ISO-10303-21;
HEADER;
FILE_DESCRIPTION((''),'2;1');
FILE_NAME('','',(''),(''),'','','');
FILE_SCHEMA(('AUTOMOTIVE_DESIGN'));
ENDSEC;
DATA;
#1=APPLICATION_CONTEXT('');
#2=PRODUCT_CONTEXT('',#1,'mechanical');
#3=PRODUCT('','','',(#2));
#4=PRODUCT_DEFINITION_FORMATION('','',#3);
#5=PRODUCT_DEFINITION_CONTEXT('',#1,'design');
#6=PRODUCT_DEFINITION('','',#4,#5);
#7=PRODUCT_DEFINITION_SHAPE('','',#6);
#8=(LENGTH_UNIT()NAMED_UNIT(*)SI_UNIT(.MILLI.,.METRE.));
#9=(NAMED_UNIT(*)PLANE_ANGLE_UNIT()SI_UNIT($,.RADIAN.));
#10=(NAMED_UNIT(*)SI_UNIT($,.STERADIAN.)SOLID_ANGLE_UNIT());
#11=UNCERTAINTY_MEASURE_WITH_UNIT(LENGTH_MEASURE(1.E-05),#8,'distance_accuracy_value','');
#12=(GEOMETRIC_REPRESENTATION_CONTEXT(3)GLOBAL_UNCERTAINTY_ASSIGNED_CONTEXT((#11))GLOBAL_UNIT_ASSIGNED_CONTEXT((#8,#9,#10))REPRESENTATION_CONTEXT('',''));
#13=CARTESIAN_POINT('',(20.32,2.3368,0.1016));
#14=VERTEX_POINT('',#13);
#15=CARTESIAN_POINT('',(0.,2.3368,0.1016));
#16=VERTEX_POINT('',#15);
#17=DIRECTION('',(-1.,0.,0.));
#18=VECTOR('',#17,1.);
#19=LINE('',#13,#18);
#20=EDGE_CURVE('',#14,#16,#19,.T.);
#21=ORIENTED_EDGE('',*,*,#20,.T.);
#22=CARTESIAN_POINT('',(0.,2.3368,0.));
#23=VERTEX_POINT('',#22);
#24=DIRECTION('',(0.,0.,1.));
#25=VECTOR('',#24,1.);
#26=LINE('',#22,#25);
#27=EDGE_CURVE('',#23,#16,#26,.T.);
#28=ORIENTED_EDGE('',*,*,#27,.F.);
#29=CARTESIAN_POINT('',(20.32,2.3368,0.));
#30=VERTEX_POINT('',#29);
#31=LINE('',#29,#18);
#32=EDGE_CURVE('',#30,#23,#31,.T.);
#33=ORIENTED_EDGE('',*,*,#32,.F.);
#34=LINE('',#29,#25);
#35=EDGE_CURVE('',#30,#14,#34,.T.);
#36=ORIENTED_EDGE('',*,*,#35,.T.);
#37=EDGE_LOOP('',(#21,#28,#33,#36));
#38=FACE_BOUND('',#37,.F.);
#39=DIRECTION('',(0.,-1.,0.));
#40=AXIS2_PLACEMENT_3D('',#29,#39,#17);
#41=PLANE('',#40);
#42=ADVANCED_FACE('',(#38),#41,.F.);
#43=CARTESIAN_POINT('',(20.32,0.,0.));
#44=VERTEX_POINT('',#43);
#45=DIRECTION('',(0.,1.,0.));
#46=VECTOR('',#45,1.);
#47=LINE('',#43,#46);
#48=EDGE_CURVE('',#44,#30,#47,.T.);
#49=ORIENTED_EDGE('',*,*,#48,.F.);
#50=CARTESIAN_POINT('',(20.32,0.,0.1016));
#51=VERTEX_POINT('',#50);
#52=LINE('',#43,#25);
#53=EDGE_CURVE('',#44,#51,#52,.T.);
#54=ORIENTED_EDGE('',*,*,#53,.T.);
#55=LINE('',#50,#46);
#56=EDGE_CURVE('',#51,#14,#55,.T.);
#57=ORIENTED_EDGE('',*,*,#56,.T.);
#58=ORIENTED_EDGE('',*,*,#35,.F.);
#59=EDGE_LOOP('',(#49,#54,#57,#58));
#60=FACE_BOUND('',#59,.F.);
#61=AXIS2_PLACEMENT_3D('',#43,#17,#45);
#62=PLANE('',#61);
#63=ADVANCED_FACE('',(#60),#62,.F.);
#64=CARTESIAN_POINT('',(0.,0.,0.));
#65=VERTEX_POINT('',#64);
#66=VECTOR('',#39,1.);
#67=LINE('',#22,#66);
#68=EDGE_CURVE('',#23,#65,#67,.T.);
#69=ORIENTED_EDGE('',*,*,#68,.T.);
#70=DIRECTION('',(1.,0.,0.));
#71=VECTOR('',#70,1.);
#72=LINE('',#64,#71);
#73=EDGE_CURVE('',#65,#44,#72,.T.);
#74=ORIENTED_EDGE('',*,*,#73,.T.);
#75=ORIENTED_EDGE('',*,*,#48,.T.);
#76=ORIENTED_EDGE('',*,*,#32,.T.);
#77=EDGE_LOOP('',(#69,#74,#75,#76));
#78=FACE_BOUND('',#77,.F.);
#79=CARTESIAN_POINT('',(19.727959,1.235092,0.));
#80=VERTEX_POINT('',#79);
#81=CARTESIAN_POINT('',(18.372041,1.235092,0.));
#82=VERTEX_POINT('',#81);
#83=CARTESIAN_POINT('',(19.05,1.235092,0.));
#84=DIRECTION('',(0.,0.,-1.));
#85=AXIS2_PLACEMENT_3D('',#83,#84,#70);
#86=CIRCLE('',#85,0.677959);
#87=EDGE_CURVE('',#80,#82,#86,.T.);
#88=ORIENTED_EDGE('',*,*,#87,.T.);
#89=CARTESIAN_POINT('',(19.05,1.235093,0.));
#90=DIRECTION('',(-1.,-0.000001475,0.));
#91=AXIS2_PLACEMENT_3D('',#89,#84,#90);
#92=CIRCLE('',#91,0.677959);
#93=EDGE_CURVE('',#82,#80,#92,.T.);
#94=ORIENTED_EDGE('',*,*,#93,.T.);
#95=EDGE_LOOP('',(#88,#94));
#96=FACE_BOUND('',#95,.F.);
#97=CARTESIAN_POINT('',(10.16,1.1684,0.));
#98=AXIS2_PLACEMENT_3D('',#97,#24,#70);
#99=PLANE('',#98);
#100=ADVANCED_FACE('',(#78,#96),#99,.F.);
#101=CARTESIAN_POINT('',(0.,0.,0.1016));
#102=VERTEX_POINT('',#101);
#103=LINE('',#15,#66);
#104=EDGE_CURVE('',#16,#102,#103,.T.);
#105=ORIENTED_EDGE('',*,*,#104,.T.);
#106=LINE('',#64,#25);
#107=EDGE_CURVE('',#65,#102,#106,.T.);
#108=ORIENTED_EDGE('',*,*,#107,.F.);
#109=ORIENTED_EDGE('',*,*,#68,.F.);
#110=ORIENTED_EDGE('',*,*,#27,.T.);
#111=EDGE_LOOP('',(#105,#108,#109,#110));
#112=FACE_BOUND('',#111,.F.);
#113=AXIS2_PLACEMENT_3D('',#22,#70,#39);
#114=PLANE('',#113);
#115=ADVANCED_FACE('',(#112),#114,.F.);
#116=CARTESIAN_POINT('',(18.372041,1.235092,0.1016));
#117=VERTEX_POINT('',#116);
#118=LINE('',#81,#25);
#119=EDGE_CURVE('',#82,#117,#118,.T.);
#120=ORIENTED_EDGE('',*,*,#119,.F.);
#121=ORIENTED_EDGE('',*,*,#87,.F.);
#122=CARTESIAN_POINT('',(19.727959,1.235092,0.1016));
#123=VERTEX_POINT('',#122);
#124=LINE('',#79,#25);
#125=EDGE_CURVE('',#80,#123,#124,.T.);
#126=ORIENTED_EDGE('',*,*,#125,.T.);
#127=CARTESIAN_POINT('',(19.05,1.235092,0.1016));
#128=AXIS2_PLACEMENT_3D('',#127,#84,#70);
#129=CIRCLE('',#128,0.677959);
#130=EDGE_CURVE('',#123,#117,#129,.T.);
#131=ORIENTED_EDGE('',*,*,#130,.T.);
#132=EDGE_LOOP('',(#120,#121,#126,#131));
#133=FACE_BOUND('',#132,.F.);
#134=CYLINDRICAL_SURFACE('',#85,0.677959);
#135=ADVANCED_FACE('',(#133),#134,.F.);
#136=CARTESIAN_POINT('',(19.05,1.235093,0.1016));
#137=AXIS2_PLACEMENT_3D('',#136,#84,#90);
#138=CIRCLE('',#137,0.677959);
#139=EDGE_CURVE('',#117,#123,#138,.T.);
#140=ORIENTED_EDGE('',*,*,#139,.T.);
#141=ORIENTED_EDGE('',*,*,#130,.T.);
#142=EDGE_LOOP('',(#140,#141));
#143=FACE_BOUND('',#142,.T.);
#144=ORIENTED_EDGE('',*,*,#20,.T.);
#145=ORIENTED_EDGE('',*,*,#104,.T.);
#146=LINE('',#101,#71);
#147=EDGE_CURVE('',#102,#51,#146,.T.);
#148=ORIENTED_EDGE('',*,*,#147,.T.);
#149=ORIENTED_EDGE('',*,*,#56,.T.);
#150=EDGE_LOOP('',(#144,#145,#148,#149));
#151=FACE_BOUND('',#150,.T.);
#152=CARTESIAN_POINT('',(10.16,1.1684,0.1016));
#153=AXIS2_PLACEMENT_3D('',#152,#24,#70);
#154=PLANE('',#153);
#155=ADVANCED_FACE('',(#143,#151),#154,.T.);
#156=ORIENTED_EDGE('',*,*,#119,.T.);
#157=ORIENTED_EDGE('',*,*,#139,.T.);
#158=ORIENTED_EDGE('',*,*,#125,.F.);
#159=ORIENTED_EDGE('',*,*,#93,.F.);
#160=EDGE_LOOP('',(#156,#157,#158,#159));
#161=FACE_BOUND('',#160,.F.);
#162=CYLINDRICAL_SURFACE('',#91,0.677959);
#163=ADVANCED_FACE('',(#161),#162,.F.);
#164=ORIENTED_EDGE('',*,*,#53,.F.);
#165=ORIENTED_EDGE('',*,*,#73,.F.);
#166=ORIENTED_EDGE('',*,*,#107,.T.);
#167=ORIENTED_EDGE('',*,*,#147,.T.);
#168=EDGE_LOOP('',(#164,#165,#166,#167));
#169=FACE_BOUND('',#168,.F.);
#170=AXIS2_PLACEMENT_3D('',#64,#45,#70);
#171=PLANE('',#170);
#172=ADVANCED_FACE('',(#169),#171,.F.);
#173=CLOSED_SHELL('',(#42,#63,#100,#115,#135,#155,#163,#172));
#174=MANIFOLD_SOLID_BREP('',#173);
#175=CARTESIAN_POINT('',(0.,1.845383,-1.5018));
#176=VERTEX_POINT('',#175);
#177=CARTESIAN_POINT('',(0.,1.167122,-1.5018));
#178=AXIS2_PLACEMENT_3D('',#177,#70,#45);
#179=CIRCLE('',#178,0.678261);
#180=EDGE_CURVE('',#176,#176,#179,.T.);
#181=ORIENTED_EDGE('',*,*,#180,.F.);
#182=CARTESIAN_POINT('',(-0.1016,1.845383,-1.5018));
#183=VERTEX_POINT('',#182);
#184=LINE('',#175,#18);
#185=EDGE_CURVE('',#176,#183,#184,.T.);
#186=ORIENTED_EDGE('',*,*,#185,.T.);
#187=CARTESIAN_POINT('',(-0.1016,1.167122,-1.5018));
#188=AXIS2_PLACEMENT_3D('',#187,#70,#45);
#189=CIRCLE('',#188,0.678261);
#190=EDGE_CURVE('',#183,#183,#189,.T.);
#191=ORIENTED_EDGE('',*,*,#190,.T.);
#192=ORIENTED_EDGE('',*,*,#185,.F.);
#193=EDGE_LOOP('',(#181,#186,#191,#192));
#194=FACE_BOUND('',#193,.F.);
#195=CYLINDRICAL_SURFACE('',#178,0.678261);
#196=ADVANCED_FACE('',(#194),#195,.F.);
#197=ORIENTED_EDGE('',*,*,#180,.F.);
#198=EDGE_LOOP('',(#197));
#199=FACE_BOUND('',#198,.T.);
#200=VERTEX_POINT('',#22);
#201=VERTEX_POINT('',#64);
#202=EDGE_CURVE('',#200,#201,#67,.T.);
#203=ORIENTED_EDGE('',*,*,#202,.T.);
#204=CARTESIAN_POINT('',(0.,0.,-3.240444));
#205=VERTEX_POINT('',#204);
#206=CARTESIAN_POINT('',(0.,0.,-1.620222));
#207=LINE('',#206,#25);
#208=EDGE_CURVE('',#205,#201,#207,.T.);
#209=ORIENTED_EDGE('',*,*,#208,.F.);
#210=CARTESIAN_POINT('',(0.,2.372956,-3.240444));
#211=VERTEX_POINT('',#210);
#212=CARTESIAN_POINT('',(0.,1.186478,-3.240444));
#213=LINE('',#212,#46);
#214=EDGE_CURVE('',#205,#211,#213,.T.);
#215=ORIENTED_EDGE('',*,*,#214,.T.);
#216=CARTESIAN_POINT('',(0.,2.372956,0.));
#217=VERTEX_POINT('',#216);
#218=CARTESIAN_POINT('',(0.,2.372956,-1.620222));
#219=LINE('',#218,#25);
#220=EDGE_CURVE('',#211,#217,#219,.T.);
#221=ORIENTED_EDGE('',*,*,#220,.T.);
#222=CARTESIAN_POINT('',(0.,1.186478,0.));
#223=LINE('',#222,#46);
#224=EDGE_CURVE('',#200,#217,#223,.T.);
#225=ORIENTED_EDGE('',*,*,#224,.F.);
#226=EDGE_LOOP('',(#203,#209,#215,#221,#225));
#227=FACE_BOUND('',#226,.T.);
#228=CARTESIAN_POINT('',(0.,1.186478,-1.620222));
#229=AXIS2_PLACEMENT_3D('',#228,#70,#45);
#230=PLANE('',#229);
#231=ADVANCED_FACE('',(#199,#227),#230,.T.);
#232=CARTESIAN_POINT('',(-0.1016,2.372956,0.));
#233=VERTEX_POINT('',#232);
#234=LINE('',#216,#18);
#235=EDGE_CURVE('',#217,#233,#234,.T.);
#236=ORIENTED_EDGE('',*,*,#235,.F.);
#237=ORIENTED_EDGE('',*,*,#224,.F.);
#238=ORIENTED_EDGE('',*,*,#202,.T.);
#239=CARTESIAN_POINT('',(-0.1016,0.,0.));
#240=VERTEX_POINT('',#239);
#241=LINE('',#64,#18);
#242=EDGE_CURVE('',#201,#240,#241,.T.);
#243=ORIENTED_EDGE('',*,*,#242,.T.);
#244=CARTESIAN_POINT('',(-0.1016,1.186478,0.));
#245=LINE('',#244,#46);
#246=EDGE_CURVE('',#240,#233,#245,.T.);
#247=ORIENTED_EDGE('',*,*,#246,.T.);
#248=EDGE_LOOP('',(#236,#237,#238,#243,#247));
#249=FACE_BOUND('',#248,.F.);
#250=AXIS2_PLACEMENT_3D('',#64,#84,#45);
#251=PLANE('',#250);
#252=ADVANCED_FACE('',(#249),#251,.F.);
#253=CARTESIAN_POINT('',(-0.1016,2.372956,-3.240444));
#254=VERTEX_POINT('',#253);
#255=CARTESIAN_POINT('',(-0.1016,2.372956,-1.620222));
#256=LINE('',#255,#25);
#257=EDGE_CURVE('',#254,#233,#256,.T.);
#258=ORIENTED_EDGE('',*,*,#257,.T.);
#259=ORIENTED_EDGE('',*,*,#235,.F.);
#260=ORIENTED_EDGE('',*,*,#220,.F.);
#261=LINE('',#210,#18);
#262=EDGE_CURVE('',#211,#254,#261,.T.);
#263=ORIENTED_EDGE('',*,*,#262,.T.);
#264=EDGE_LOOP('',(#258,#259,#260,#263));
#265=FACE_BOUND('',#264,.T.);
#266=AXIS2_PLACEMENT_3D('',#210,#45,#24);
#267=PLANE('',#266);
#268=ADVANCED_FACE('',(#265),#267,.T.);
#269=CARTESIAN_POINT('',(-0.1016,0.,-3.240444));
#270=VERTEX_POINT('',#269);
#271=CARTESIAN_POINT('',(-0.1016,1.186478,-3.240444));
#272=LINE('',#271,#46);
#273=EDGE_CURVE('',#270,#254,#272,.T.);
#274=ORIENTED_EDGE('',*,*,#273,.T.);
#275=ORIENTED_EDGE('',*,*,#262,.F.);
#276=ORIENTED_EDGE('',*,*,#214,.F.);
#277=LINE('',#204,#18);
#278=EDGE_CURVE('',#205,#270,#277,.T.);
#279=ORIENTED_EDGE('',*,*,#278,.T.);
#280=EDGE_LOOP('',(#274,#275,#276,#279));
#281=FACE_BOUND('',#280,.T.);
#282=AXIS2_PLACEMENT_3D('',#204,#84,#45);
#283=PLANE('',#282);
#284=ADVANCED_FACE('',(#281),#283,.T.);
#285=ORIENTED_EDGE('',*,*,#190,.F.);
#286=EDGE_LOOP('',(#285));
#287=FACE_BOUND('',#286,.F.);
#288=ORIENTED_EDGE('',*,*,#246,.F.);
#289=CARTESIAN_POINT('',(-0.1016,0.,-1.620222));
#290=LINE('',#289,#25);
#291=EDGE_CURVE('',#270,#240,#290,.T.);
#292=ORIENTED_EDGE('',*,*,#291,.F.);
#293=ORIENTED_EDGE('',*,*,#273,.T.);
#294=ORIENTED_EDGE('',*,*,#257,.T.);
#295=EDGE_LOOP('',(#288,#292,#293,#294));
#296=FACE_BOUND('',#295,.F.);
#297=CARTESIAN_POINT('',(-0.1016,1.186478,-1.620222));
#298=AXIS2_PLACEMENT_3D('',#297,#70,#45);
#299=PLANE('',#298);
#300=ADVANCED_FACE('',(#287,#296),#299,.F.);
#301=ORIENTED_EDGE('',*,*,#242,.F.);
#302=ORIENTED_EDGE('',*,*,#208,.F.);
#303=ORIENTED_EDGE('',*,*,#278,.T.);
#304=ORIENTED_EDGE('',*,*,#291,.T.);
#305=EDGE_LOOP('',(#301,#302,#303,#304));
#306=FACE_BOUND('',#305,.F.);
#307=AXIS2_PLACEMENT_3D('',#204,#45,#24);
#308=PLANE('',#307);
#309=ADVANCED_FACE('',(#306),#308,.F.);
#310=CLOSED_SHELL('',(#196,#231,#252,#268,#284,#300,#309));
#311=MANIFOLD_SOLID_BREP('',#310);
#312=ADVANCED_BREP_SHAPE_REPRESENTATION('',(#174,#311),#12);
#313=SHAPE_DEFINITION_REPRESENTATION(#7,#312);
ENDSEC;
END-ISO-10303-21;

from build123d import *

# Parameters (mm, degrees)
F2_DEPTH = 0.1016
F1_W     = 2.372956
F1_H     = 3.240444
F1_R     = 0.678261
F3_DEPTH = 0.1016


with BuildPart() as f2:
    # F0 (on Top) → F2 (new body)
    with BuildSketch(Plane.XY):
        Polygon((0, 1.235092), (0, 0), (20.32, 0), (20.32, 2.3368), (0, 2.3368), align=None)
        with BuildLine():
            ThreePointArc((19.727959, 1.235092), (19.05, 0.557133), (18.372041, 1.235092))
            ThreePointArc((18.372041, 1.235092), (19.05, 1.913052), (19.727959, 1.235092))
        make_face(mode=Mode.SUBTRACT)
    extrude(amount=F2_DEPTH)

    # F1 (on Right) → F3 (join)
    with BuildSketch(Plane.YZ):
        with Locations((1.186478, -1.620222)):
            Rectangle(F1_W, F1_H)
        with Locations((1.167122, -1.5018)):
            Circle(F1_R, mode=Mode.SUBTRACT)
    extrude(amount=-F3_DEPTH)


solid = f2.part
